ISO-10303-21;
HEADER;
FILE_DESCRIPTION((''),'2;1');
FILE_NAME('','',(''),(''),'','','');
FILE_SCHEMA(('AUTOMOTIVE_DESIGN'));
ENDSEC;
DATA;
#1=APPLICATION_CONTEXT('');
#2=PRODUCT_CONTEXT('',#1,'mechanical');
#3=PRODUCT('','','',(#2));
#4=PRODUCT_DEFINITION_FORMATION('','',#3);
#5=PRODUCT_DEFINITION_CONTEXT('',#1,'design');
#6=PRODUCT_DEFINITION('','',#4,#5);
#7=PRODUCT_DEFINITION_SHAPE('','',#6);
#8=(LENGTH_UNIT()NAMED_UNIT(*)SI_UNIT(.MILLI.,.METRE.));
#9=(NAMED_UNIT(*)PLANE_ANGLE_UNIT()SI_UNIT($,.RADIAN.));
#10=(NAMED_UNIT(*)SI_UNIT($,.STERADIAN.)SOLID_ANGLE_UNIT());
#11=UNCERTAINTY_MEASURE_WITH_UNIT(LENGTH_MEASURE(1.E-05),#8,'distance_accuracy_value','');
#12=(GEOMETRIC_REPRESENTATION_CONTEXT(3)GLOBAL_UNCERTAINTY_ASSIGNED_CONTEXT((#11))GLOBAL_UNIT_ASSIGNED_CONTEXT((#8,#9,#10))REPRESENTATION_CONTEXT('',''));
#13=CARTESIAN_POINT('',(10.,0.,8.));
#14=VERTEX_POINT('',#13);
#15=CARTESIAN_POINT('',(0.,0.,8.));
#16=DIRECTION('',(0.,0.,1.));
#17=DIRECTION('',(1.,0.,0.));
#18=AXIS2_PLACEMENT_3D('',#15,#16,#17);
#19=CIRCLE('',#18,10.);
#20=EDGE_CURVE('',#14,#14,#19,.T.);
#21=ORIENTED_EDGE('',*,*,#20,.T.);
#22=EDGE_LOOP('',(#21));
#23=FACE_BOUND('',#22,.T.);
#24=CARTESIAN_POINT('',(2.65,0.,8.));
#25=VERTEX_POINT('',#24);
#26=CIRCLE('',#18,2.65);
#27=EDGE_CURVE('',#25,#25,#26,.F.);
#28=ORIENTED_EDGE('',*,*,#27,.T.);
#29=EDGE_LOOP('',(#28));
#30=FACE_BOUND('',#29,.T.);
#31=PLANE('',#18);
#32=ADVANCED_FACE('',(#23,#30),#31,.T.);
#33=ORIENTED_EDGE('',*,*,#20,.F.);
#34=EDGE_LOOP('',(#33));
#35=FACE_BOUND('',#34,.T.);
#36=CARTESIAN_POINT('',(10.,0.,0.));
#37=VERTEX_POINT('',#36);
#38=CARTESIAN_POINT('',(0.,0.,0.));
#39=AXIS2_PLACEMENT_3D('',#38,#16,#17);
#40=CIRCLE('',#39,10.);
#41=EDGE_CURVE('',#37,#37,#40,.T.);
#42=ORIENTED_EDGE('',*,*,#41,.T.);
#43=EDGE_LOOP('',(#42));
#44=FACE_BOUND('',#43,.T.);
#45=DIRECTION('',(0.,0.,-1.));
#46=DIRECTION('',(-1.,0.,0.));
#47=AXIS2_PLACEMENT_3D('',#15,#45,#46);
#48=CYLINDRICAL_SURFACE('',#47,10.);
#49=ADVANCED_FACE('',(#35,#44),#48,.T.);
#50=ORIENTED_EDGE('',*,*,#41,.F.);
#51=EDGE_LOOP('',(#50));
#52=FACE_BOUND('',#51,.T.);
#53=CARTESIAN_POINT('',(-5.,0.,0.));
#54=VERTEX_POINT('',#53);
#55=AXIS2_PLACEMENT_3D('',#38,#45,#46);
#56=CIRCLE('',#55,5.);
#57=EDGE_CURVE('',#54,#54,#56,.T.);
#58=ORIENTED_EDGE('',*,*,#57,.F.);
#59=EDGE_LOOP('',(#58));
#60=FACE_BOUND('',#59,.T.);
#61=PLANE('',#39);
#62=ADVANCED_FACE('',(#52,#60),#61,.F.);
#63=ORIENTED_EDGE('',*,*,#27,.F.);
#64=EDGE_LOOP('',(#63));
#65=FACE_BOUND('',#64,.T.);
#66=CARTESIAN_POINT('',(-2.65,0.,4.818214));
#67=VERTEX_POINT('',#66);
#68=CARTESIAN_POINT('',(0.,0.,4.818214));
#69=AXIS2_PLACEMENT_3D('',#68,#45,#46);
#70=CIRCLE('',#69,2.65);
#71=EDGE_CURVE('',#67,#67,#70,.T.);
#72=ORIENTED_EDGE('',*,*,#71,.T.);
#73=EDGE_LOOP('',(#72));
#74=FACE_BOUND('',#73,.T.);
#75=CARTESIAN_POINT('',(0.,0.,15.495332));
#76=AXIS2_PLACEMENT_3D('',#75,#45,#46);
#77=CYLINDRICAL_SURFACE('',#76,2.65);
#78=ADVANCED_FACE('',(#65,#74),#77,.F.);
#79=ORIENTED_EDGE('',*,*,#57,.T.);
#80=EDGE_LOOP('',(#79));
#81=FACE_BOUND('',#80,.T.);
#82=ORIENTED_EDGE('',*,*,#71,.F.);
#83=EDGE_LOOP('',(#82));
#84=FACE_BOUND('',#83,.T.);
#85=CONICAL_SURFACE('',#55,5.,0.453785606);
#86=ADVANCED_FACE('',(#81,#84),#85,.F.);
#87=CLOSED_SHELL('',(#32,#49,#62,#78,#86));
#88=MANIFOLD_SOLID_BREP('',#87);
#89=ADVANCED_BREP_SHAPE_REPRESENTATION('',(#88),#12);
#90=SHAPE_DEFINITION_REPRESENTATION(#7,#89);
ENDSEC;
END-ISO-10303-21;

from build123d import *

# Parameters (mm, degrees)
SKETCH1_R           = 10
BOSS_EXTRUDE1_DEPTH = 8
SKETCH2_R           = 2.65
CUT_EXTRUDE1_DEPTH  = 8
SKETCH3_R           = 5
CUT_EXTRUDE2_DEPTH  = 5
CUT_EXTRUDE2_TAPER  = 26


with BuildPart() as part:
    # Sketch1 → Boss-Extrude1 (new body)
    with BuildSketch(Plane.XY):
        Circle(SKETCH1_R)
    extrude(amount=BOSS_EXTRUDE1_DEPTH)

    # Sketch2 → Cut-Extrude1 (cut)
    with BuildSketch(Plane(origin=(0, 0, 0), x_dir=(-1, 0, 0), z_dir=(0, 0, -1))):
        Circle(SKETCH2_R)
    extrude(amount=-CUT_EXTRUDE1_DEPTH, mode=Mode.SUBTRACT)

    # Sketch3 → Cut-Extrude2 (cut)
    with BuildSketch(Plane(origin=(0, 0, 0), x_dir=(-1, 0, 0), z_dir=(0, 0, -1))):
        Circle(SKETCH3_R)
    extrude(amount=-CUT_EXTRUDE2_DEPTH, taper=CUT_EXTRUDE2_TAPER, mode=Mode.SUBTRACT)


solid = part.part
